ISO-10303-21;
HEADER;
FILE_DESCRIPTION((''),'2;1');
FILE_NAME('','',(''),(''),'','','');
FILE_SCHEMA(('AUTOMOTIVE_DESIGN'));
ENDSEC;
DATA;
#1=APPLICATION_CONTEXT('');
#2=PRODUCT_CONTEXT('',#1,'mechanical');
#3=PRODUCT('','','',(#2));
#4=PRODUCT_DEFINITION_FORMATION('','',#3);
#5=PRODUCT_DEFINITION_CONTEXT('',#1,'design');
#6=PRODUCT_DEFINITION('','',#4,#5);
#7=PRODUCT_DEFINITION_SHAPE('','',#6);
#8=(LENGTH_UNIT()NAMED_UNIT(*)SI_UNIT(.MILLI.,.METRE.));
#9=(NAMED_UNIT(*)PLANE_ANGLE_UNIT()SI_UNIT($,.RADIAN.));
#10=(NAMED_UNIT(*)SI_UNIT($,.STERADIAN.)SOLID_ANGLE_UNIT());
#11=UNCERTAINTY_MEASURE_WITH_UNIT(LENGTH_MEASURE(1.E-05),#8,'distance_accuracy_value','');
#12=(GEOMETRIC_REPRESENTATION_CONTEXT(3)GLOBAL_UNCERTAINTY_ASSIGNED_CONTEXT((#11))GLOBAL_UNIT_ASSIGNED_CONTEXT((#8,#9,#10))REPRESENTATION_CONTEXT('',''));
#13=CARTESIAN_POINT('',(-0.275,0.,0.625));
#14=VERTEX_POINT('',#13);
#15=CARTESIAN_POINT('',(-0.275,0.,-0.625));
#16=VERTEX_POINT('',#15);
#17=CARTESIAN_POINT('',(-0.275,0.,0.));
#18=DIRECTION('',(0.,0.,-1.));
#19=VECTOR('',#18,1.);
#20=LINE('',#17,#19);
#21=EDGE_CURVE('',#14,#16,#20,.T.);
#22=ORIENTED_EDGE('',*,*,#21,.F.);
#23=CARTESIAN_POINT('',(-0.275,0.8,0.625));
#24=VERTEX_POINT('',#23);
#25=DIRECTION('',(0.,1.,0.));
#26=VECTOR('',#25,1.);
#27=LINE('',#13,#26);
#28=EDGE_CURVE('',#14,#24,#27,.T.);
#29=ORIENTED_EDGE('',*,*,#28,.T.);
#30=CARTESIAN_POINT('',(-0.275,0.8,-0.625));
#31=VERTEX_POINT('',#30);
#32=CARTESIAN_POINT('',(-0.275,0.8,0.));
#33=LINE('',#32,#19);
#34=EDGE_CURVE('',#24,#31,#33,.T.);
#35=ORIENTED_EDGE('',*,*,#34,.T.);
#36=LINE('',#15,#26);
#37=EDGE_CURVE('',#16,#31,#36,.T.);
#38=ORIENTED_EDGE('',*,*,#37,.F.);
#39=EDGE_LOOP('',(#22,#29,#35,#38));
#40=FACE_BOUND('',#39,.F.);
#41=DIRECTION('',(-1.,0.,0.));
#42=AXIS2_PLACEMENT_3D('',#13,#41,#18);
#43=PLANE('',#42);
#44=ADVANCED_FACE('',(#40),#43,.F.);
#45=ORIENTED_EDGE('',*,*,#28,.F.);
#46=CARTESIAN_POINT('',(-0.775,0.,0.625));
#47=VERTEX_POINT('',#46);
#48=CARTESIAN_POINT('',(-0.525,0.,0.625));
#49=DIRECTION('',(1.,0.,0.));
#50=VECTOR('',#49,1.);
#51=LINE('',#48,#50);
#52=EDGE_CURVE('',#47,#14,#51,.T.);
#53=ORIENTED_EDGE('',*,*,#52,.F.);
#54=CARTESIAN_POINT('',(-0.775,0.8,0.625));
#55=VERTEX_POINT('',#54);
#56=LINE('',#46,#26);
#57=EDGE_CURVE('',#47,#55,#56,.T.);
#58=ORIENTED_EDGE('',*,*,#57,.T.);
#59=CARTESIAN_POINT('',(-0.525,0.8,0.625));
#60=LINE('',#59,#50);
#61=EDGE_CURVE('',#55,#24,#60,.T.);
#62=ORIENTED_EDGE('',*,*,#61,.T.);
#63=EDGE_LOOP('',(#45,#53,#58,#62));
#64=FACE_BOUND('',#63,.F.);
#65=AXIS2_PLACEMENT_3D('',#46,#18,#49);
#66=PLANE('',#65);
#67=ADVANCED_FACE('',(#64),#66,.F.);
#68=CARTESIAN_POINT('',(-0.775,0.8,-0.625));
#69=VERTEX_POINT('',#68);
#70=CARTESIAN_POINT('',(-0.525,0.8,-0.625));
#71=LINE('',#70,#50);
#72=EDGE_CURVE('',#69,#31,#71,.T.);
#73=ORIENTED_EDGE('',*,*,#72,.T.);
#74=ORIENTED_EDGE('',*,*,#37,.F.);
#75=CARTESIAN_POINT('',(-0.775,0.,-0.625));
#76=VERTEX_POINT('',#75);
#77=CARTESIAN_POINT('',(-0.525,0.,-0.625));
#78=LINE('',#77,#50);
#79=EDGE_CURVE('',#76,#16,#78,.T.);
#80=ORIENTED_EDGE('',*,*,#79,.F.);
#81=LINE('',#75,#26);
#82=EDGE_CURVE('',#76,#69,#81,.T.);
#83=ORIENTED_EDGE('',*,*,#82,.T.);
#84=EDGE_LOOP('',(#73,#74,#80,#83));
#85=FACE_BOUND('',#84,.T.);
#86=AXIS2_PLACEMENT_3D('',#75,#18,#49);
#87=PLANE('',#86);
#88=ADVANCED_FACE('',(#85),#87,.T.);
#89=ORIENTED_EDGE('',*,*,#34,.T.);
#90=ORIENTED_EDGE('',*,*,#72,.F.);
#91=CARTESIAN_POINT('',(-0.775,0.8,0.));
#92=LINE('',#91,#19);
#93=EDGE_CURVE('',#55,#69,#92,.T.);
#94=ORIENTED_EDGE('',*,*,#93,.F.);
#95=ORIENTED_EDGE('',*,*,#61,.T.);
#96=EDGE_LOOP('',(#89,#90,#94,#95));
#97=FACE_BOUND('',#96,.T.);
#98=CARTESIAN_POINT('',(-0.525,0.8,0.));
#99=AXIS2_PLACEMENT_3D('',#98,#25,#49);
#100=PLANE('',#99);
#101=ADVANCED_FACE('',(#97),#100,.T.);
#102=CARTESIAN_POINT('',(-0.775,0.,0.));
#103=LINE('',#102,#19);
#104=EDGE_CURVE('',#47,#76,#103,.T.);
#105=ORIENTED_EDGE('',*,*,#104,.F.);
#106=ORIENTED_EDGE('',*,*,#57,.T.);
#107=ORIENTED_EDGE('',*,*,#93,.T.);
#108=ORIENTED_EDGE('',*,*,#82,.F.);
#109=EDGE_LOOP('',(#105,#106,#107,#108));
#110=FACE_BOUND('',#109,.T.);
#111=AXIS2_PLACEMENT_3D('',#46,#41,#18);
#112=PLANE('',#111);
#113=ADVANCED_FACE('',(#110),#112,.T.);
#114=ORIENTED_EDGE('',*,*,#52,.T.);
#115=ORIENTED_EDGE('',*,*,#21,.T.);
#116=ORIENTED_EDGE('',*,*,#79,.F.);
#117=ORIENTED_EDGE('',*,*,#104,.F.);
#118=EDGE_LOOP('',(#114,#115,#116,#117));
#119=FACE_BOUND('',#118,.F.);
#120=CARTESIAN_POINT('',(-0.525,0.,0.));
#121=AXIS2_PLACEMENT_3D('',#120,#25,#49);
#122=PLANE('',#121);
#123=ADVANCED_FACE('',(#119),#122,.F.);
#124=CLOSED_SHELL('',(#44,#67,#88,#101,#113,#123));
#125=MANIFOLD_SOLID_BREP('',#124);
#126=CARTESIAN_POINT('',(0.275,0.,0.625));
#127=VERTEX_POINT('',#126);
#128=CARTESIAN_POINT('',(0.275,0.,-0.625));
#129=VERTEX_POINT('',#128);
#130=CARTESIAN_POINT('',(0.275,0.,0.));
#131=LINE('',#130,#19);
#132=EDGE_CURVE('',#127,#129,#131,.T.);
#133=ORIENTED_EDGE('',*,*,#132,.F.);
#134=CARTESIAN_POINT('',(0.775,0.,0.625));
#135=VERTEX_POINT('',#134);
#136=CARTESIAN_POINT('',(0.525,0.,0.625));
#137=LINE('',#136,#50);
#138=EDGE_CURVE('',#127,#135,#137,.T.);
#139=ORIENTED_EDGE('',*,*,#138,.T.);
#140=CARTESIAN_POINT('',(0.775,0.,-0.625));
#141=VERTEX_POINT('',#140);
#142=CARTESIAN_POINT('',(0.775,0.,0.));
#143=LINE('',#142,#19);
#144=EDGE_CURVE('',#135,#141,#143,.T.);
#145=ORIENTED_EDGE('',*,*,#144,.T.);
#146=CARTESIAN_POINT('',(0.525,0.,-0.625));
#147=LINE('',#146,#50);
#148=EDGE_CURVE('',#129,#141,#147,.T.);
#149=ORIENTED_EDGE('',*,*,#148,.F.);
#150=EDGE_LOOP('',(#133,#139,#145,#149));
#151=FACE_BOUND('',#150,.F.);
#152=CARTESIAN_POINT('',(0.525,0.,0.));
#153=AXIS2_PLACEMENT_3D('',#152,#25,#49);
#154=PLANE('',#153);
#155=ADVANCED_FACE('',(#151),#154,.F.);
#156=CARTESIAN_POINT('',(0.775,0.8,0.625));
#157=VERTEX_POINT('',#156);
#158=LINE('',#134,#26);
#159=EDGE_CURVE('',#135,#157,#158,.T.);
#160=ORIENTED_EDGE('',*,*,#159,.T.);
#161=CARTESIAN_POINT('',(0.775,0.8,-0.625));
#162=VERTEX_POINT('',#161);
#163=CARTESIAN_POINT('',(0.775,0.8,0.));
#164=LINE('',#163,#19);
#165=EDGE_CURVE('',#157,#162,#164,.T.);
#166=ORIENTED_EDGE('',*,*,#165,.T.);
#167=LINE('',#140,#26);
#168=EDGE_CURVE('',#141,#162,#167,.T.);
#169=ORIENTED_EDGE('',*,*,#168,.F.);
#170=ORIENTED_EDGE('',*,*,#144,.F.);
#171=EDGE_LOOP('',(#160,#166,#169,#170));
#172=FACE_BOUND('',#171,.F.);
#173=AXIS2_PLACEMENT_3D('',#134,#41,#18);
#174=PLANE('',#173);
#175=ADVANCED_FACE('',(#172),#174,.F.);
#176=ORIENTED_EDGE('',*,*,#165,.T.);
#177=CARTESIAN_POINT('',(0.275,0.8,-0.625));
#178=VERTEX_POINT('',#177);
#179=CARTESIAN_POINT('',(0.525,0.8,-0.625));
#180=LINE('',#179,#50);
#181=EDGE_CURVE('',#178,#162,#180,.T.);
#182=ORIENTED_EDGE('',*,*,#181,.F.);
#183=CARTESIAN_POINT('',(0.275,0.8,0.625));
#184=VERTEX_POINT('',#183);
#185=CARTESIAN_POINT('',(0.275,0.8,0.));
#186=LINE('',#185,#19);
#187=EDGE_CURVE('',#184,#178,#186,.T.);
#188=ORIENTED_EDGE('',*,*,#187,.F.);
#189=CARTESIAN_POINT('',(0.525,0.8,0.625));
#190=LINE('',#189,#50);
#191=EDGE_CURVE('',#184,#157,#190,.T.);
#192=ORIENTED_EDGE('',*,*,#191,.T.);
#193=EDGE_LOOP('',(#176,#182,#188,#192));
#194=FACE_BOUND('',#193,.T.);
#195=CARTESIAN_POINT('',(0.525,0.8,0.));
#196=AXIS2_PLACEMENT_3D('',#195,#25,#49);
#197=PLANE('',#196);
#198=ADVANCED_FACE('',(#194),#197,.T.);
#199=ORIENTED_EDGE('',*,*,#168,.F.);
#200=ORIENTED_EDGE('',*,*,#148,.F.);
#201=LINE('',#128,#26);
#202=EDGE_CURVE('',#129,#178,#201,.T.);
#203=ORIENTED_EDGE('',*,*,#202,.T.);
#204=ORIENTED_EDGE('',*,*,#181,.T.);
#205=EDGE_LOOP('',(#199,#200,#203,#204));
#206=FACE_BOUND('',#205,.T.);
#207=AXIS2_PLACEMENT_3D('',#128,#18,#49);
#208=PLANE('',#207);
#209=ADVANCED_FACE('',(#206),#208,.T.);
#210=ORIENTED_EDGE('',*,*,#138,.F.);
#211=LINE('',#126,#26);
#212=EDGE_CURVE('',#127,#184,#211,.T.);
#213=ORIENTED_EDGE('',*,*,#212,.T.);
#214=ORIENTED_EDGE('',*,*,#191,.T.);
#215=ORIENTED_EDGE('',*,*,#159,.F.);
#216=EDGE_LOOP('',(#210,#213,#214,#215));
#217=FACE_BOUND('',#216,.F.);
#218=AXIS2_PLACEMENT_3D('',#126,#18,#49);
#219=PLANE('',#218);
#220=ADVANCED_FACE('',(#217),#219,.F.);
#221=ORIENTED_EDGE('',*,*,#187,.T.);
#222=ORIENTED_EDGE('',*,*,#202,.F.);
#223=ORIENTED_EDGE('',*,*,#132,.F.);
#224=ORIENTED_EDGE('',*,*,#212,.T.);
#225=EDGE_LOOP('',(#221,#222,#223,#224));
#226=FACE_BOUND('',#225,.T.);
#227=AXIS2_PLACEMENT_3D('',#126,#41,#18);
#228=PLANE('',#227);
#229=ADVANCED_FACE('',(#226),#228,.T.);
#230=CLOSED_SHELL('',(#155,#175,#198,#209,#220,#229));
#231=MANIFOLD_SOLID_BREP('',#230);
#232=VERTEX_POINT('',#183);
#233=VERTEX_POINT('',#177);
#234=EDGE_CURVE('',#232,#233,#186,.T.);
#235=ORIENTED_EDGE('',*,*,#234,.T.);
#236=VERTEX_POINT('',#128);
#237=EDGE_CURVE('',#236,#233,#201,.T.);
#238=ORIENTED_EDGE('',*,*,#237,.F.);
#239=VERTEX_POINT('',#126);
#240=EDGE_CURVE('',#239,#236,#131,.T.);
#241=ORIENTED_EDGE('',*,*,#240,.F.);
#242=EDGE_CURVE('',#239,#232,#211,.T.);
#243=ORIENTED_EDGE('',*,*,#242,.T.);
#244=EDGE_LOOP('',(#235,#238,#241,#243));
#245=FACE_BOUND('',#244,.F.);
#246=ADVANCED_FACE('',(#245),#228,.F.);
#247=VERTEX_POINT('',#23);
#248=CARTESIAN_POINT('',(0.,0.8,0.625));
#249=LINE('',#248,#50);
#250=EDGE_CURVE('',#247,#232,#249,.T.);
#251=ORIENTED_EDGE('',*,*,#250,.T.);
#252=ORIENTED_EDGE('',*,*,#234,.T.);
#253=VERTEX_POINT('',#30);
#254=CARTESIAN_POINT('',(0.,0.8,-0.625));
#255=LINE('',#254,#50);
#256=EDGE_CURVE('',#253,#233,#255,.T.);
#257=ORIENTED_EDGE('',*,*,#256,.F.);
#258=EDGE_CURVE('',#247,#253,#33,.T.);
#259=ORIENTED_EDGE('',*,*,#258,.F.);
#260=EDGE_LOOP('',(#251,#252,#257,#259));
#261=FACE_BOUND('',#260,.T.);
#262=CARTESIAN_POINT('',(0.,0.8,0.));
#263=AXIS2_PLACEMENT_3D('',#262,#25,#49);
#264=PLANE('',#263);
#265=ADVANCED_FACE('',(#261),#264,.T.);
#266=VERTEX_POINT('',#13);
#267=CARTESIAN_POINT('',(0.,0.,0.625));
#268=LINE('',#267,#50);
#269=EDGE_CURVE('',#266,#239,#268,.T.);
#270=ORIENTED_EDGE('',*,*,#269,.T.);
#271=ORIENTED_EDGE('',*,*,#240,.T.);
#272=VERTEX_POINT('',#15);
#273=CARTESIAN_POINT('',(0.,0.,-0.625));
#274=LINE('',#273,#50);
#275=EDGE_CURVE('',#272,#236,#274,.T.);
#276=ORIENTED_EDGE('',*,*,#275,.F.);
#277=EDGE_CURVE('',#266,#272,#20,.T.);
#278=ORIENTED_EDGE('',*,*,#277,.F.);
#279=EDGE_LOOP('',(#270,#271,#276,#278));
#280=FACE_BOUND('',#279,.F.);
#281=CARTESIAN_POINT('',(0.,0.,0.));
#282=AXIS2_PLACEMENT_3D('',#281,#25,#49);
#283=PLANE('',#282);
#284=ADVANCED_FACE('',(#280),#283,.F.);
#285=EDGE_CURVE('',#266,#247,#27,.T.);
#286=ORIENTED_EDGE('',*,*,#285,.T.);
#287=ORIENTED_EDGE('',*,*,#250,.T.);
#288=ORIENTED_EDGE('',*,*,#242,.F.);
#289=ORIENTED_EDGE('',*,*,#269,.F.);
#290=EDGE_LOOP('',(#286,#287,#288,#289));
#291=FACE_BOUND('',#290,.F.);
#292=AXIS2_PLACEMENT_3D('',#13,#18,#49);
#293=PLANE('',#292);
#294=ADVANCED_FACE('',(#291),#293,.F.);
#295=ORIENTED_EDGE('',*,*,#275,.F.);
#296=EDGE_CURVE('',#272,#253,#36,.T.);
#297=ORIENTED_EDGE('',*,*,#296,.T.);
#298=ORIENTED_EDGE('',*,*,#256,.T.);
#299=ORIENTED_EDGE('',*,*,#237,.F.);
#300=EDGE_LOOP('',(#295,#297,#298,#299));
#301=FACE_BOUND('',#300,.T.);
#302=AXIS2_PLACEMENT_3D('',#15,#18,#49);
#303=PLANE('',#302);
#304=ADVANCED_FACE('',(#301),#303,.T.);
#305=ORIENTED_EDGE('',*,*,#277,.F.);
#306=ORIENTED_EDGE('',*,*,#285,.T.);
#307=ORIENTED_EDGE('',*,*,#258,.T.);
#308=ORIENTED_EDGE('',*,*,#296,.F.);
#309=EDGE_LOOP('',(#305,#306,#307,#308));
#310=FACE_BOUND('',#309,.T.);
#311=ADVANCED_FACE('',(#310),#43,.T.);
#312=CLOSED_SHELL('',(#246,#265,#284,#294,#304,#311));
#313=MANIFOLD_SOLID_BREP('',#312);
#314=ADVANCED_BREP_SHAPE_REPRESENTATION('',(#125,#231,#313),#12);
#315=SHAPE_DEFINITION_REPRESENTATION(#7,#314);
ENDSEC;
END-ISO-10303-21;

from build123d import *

# Parameters (mm, degrees)
SKETCH1_W             = 0.55
SKETCH1_H             = 1.25
BOSS_EXTRUDE1_DEPTH   = 0.8
SKETCH2_W             = 0.5
SKETCH2_H             = 1.25
BOSS_EXTRUDE2_DEPTH   = 0.8
BOSS_EXTRUDE2_2_DEPTH = 0.8


with BuildPart() as part:
    # Sketch1 → Boss-Extrude1 (new body)
    with BuildSketch(Plane(origin=(0, 0, 0), x_dir=(1, 0, 0), z_dir=(0, 1, 0))):
        Rectangle(SKETCH1_W, SKETCH1_H)
    extrude(amount=BOSS_EXTRUDE1_DEPTH)


with BuildPart() as body_2:
    # Sketch2 → Boss-Extrude2 (new body)
    with BuildSketch(Plane(origin=(0, 0, 0), x_dir=(1, 0, 0), z_dir=(0, 1, 0))):
        with Locations((-0.525, 0)):
            Rectangle(SKETCH2_W, SKETCH2_H)
    extrude(amount=BOSS_EXTRUDE2_DEPTH)


with BuildPart() as body_3:
    # Sketch2 → Boss-Extrude2 2 (new body)
    with BuildSketch(Plane(origin=(0, 0, 0), x_dir=(1, 0, 0), z_dir=(0, 1, 0))):
        with Locations((0.525, 0)):
            Rectangle(SKETCH2_W, SKETCH2_H)
    extrude(amount=BOSS_EXTRUDE2_2_DEPTH)


solid = Compound([part.part, body_2.part, body_3.part])
